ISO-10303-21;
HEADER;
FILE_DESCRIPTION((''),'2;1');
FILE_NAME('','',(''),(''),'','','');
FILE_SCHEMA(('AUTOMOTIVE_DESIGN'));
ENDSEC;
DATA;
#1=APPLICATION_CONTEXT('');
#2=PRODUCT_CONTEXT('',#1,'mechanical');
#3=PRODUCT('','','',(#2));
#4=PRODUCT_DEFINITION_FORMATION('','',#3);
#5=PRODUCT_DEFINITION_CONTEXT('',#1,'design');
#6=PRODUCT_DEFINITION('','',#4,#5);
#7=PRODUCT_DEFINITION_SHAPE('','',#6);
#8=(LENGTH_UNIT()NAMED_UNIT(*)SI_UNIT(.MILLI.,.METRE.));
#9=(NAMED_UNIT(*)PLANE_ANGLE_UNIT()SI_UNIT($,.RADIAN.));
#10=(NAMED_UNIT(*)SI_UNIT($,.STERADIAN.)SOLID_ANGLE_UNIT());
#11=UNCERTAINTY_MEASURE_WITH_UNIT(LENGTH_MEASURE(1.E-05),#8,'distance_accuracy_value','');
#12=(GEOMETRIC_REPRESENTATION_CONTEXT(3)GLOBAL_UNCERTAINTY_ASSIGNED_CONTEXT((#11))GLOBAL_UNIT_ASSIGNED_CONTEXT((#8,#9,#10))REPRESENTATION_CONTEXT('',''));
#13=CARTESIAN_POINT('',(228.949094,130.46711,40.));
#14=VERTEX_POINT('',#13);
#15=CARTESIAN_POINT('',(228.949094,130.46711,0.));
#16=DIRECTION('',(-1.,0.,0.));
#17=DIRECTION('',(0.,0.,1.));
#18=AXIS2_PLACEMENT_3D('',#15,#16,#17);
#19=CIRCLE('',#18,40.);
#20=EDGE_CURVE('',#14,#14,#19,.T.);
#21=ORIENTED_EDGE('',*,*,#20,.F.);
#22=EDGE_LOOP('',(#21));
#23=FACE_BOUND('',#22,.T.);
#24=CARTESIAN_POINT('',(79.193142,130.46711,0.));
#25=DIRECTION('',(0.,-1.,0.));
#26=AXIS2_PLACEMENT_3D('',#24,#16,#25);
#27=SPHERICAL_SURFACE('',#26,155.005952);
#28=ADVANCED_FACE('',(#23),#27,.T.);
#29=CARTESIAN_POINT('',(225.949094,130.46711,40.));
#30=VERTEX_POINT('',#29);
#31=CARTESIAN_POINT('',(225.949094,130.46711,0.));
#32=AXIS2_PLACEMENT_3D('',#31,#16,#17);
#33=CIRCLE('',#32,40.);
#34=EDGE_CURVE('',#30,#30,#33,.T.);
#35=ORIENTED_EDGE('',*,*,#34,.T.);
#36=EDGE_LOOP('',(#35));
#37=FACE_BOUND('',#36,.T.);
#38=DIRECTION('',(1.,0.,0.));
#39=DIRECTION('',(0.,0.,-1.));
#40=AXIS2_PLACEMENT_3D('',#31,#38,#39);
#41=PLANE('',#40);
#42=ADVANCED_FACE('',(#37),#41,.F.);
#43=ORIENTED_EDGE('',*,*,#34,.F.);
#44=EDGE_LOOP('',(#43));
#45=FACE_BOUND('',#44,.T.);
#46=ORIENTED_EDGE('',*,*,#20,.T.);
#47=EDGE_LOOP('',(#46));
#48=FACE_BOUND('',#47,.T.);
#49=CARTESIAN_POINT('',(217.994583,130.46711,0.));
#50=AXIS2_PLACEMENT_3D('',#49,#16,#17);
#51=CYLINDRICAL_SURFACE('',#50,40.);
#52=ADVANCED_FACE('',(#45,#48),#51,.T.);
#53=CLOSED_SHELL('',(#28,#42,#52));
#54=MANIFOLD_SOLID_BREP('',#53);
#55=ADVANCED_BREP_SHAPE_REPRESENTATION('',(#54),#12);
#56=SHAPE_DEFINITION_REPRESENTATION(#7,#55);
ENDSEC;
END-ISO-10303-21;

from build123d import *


with BuildPart() as part:
    # 草图1 → 旋转1 (revolve)
    with BuildSketch(Plane.XY, mode=Mode.PRIVATE) as revolve_1_sk:
        with BuildLine():
            Line((225.949094224, 130.467109853), (225.949094224, 170.467109853))
            Line((225.949094224, 170.467109853), (228.949094224, 170.467109853))
            ThreePointArc((228.949094224, 170.467109853), (232.880989927, 150.638639914), (234.199094224, 130.467109853))
            Line((234.199094224, 130.467109853), (225.949094224, 130.467109853))
        make_face()
    revolve(revolve_1_sk.sketch.rotate(Axis((217.994582532, 130.467109853, 0), (1, 0, 0)), 180), axis=Axis((217.994582532, 130.467109853, 0), (1, 0, 0)))  # turned: the seam where the file's is


solid = part.part
